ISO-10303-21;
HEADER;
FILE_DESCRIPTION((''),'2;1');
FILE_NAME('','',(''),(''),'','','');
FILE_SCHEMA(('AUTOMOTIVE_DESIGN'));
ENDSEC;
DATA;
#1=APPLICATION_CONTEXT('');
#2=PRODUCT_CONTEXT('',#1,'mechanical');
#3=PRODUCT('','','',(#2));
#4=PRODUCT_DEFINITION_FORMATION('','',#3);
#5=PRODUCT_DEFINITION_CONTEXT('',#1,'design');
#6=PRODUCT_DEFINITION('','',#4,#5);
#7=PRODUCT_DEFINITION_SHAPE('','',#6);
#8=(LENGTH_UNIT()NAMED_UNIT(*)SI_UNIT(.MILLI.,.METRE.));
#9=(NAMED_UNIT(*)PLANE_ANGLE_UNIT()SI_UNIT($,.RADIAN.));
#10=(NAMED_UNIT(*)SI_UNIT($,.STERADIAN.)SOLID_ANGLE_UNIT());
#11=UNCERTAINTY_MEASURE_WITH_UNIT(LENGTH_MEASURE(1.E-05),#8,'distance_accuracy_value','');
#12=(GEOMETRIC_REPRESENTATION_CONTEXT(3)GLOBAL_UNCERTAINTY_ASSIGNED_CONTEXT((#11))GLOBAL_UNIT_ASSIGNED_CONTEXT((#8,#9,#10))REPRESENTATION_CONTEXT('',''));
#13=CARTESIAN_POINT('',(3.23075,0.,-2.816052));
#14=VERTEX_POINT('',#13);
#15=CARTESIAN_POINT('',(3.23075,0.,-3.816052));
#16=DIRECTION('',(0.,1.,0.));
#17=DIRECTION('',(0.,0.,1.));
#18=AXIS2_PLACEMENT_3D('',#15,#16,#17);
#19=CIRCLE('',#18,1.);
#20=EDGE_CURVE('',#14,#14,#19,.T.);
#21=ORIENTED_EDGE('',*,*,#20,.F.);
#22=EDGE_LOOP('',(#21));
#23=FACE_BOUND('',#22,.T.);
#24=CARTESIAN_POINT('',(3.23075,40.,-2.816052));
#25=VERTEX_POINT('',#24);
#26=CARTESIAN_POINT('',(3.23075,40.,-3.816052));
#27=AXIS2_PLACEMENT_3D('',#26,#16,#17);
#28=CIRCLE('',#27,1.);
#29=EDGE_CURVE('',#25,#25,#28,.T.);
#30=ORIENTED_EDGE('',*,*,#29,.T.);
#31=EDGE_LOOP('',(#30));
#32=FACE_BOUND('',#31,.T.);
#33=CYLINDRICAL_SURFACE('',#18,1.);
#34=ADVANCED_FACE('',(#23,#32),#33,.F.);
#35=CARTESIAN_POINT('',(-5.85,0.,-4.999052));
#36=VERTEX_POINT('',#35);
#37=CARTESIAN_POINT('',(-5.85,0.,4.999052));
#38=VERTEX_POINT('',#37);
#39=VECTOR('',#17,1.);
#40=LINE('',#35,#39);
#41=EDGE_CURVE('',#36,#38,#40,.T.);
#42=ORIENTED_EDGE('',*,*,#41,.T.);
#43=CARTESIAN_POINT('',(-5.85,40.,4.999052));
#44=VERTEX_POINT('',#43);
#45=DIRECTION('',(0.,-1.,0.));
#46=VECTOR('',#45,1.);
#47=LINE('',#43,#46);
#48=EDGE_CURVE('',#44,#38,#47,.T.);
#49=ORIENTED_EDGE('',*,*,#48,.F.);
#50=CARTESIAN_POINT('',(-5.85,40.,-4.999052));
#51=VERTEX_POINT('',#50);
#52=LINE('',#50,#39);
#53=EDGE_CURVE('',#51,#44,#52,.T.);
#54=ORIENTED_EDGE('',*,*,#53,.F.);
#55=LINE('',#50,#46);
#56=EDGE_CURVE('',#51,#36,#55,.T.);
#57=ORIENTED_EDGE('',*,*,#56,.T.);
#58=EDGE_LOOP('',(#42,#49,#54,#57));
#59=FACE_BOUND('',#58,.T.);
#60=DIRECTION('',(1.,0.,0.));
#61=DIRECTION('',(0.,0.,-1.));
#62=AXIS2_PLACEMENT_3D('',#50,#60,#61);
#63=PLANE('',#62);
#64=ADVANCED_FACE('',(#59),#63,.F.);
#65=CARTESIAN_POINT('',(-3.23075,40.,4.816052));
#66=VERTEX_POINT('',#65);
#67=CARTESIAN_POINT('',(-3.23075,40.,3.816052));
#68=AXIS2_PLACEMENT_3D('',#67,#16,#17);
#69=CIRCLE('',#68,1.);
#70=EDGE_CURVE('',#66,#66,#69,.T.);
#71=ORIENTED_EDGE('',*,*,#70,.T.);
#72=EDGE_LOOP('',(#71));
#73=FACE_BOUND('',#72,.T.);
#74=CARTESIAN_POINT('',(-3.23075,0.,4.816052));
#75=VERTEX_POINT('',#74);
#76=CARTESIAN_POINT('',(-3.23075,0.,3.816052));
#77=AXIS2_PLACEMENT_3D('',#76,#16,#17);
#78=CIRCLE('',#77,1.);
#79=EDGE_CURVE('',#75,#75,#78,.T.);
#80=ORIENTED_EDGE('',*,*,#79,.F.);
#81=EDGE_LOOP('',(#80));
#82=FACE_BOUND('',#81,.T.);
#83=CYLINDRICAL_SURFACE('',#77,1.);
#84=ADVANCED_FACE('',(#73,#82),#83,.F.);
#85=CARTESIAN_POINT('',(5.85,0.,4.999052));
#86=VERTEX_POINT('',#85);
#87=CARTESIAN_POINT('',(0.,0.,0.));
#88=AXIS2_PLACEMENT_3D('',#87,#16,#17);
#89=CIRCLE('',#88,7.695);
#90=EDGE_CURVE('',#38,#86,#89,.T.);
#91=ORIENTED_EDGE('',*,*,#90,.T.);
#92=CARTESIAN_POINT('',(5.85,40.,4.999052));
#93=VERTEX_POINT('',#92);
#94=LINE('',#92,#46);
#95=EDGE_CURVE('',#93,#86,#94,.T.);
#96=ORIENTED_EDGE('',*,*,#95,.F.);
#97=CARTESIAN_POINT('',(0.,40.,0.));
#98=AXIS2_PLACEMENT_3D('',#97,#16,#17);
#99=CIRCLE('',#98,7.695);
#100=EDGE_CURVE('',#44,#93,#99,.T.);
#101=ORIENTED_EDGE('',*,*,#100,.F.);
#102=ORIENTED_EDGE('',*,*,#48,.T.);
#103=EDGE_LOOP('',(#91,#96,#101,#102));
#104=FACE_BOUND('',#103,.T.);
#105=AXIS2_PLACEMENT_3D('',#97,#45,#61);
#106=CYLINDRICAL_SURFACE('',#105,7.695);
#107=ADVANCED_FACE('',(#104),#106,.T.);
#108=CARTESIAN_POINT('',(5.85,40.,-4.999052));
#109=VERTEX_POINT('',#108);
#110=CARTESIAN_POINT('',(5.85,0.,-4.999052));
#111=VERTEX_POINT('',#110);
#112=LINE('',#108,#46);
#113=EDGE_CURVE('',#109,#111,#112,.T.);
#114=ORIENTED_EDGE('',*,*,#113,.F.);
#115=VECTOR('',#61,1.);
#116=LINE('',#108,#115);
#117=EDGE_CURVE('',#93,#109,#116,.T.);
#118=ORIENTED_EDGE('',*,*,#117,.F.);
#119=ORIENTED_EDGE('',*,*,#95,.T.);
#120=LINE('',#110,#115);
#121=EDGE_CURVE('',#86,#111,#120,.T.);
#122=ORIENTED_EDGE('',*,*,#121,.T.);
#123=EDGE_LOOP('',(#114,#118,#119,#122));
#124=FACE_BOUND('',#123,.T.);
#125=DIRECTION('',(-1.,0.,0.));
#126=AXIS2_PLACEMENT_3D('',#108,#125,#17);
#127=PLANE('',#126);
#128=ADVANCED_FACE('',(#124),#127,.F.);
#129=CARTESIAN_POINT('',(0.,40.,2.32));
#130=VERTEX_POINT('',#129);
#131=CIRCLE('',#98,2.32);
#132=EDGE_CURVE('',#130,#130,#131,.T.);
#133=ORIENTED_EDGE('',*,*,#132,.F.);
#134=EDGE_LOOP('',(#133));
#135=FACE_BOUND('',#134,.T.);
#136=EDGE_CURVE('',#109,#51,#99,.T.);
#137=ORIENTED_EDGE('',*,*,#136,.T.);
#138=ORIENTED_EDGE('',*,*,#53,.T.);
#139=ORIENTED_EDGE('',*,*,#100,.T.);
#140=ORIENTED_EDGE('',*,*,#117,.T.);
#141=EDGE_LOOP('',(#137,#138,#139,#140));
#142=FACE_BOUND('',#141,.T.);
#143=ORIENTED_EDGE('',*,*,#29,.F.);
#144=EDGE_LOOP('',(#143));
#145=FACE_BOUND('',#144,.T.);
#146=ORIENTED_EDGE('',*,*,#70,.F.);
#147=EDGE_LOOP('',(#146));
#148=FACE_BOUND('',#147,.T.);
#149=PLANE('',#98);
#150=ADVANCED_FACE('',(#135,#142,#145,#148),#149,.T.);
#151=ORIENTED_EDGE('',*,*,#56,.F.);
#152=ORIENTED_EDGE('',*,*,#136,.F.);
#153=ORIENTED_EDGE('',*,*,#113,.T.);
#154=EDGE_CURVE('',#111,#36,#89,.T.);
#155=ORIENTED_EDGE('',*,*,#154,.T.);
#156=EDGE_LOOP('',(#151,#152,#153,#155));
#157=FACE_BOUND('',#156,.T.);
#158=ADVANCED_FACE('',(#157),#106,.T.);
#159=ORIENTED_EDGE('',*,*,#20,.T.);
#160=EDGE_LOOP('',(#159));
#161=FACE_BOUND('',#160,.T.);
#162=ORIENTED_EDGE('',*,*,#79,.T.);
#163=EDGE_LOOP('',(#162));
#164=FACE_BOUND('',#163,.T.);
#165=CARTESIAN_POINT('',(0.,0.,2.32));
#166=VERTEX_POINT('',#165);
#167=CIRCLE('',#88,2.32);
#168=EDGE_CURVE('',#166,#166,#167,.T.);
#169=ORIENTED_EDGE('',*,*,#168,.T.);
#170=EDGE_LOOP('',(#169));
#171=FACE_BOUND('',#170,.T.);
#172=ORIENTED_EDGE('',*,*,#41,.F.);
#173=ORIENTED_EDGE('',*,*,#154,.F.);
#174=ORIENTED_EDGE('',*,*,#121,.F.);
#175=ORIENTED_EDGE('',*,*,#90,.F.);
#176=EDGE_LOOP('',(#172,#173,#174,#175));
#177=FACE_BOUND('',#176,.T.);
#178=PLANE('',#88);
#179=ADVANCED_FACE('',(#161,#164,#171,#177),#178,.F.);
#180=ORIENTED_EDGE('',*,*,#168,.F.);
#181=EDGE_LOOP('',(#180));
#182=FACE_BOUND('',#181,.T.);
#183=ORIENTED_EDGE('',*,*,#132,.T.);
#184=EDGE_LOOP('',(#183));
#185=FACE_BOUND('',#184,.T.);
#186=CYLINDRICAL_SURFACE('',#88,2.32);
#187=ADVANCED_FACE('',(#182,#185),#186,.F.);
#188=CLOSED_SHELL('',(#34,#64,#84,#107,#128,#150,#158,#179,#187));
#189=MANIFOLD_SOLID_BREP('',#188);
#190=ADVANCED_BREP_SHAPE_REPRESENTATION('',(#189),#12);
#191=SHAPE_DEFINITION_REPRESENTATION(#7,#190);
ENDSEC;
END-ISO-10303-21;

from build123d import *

# Parameters (mm, degrees)
BOSS_EXTRUDE1_DEPTH = 40
SKETCH2_R           = 2.32
SKETCH2_R_2         = 1
CUT_EXTRUDE1_DEPTH  = 40


with BuildPart() as part:
    # Sketch1 → Boss-Extrude1 (new body)
    with BuildSketch(Plane(origin=(0, 0, 0), x_dir=(1, 0, 0), z_dir=(0, 1, 0))):
        with BuildLine():
            Line((-5.85, 4.99905241), (-5.85, -4.99905241))
            ThreePointArc((-5.85, -4.99905241), (0, -7.695), (5.85, -4.99905241))
            Line((5.85, -4.99905241), (5.85, 4.99905241))
            ThreePointArc((5.85, 4.99905241), (0, 7.695), (-5.85, 4.99905241))
        make_face()
    extrude(amount=BOSS_EXTRUDE1_DEPTH)

    # Sketch2 → Cut-Extrude1 (cut)
    with BuildSketch(Plane(origin=(0, 40, 0), x_dir=(1, 0, 0), z_dir=(0, 1, 0))):
        with Locations(Location((0, 0, 0), (0, 0, 270))):
            Circle(SKETCH2_R)
        with Locations(Location((3.230749736, 3.81605243, 0), (0, 0, 270))):
            Circle(SKETCH2_R_2)
        with Locations(Location((-3.230749736, -3.81605243, 0), (0, 0, 270))):
            Circle(SKETCH2_R_2)
    extrude(amount=-CUT_EXTRUDE1_DEPTH, mode=Mode.SUBTRACT)


solid = part.part
